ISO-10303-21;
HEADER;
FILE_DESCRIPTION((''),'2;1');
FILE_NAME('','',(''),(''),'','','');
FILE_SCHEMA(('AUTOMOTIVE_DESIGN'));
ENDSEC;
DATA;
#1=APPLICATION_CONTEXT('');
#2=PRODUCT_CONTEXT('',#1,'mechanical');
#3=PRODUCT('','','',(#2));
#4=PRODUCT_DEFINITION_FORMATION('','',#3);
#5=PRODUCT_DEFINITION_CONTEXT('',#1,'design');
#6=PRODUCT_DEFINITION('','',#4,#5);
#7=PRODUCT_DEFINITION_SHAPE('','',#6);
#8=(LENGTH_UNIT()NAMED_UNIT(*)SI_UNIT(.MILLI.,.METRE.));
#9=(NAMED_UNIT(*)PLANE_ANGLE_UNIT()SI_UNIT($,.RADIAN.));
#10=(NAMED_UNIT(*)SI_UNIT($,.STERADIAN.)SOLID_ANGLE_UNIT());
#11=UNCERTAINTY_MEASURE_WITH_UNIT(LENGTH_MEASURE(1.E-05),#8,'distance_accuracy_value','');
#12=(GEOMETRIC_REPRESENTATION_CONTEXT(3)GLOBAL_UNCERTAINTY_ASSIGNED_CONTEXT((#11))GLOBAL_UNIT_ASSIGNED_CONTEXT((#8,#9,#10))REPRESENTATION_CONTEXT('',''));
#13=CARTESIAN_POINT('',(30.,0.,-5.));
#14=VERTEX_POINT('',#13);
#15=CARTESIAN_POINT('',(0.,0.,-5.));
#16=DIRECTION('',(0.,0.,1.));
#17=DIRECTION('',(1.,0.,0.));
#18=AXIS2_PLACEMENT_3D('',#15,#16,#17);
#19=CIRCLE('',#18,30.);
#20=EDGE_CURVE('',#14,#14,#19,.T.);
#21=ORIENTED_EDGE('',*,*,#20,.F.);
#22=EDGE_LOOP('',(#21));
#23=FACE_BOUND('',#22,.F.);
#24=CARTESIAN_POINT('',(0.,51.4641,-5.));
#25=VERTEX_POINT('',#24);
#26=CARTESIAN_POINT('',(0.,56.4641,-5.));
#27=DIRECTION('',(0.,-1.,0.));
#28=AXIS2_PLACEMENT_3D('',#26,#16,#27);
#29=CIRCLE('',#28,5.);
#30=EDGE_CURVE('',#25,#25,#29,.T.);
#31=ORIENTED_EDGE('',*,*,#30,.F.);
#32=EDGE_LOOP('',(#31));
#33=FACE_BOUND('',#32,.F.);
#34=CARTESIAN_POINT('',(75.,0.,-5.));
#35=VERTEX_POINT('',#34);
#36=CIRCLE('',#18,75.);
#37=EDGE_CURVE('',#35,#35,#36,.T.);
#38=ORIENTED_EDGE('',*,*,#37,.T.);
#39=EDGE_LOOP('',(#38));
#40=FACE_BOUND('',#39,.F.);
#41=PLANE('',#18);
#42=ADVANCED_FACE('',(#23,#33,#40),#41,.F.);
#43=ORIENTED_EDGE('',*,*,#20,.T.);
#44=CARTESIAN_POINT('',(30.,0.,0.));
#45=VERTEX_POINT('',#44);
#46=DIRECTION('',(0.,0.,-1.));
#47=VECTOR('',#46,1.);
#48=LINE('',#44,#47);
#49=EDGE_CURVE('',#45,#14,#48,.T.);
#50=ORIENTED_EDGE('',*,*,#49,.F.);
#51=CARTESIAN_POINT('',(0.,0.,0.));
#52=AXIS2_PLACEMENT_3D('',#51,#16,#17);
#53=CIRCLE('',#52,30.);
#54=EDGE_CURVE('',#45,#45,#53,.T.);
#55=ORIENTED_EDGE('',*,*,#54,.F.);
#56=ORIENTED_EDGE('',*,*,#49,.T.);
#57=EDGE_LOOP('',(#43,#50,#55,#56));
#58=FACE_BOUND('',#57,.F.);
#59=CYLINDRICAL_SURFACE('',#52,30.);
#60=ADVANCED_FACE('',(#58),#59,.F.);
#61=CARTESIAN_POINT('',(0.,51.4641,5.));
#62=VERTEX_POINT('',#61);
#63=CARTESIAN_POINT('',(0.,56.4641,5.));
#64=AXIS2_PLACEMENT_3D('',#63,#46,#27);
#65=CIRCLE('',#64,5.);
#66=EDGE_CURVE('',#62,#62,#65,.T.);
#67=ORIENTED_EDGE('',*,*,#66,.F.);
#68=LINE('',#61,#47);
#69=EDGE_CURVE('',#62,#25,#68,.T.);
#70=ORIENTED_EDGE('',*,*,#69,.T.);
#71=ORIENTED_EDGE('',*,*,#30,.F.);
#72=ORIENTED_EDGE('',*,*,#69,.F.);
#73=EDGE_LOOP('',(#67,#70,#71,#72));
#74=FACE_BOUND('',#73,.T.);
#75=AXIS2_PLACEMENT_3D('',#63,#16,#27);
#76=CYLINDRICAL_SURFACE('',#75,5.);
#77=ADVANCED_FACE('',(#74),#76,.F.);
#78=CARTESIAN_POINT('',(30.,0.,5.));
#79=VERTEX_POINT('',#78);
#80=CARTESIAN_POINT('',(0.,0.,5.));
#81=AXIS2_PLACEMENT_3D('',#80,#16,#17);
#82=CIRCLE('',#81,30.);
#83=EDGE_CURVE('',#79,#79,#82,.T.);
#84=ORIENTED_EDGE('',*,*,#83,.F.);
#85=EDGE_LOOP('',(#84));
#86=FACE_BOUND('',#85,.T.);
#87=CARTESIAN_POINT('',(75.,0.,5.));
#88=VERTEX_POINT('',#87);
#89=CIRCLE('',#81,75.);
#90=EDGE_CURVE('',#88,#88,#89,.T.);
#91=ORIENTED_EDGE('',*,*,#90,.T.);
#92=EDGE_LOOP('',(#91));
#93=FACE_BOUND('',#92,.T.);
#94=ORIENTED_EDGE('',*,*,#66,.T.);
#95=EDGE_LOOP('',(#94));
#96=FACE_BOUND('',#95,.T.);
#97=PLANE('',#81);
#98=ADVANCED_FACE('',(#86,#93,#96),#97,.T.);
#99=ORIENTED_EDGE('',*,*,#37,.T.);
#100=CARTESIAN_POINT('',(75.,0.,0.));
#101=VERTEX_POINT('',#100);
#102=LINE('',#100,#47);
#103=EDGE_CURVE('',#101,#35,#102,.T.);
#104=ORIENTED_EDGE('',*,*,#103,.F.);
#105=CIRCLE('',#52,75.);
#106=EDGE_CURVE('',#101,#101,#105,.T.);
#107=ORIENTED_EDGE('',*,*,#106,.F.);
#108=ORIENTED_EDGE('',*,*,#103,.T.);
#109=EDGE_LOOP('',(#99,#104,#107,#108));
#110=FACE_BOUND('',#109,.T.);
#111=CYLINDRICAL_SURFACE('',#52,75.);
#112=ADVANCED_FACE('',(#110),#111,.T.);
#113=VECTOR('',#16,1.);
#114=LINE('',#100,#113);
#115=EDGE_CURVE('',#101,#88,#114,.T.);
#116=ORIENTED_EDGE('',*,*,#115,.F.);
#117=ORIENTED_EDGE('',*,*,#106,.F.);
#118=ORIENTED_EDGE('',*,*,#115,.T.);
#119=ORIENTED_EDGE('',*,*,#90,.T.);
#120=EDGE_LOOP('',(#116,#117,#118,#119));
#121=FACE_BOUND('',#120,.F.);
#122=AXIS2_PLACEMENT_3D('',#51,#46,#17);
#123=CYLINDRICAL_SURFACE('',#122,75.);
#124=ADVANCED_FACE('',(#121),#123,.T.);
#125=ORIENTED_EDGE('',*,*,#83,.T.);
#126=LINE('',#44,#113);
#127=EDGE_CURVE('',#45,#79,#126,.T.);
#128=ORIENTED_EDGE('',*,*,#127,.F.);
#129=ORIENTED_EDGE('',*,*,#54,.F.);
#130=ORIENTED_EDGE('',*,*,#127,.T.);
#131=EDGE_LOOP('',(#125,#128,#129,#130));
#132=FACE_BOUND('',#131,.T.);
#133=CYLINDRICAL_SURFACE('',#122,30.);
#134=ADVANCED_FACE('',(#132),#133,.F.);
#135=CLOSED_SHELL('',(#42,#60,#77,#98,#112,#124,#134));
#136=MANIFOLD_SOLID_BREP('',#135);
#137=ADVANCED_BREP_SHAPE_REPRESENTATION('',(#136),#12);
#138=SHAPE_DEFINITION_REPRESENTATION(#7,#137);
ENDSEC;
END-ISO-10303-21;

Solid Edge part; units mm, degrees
sketch "Sketch1" plane through (0, 0, 0) normal (0, 0, 1) x (1, 0, 0)
  circle A0 centre (0, 0) radius 75
  circle A1 centre (0, 0) radius 30
  dimension "D1" = 150
  dimension "D2" = 60
extrude "Protrusion1" add sketch "Sketch1" along normal mid plane 10
hole "Hole_1" at (0, 56.4641, 5) direction (0, 0, -1) diameter 10 end up to next
